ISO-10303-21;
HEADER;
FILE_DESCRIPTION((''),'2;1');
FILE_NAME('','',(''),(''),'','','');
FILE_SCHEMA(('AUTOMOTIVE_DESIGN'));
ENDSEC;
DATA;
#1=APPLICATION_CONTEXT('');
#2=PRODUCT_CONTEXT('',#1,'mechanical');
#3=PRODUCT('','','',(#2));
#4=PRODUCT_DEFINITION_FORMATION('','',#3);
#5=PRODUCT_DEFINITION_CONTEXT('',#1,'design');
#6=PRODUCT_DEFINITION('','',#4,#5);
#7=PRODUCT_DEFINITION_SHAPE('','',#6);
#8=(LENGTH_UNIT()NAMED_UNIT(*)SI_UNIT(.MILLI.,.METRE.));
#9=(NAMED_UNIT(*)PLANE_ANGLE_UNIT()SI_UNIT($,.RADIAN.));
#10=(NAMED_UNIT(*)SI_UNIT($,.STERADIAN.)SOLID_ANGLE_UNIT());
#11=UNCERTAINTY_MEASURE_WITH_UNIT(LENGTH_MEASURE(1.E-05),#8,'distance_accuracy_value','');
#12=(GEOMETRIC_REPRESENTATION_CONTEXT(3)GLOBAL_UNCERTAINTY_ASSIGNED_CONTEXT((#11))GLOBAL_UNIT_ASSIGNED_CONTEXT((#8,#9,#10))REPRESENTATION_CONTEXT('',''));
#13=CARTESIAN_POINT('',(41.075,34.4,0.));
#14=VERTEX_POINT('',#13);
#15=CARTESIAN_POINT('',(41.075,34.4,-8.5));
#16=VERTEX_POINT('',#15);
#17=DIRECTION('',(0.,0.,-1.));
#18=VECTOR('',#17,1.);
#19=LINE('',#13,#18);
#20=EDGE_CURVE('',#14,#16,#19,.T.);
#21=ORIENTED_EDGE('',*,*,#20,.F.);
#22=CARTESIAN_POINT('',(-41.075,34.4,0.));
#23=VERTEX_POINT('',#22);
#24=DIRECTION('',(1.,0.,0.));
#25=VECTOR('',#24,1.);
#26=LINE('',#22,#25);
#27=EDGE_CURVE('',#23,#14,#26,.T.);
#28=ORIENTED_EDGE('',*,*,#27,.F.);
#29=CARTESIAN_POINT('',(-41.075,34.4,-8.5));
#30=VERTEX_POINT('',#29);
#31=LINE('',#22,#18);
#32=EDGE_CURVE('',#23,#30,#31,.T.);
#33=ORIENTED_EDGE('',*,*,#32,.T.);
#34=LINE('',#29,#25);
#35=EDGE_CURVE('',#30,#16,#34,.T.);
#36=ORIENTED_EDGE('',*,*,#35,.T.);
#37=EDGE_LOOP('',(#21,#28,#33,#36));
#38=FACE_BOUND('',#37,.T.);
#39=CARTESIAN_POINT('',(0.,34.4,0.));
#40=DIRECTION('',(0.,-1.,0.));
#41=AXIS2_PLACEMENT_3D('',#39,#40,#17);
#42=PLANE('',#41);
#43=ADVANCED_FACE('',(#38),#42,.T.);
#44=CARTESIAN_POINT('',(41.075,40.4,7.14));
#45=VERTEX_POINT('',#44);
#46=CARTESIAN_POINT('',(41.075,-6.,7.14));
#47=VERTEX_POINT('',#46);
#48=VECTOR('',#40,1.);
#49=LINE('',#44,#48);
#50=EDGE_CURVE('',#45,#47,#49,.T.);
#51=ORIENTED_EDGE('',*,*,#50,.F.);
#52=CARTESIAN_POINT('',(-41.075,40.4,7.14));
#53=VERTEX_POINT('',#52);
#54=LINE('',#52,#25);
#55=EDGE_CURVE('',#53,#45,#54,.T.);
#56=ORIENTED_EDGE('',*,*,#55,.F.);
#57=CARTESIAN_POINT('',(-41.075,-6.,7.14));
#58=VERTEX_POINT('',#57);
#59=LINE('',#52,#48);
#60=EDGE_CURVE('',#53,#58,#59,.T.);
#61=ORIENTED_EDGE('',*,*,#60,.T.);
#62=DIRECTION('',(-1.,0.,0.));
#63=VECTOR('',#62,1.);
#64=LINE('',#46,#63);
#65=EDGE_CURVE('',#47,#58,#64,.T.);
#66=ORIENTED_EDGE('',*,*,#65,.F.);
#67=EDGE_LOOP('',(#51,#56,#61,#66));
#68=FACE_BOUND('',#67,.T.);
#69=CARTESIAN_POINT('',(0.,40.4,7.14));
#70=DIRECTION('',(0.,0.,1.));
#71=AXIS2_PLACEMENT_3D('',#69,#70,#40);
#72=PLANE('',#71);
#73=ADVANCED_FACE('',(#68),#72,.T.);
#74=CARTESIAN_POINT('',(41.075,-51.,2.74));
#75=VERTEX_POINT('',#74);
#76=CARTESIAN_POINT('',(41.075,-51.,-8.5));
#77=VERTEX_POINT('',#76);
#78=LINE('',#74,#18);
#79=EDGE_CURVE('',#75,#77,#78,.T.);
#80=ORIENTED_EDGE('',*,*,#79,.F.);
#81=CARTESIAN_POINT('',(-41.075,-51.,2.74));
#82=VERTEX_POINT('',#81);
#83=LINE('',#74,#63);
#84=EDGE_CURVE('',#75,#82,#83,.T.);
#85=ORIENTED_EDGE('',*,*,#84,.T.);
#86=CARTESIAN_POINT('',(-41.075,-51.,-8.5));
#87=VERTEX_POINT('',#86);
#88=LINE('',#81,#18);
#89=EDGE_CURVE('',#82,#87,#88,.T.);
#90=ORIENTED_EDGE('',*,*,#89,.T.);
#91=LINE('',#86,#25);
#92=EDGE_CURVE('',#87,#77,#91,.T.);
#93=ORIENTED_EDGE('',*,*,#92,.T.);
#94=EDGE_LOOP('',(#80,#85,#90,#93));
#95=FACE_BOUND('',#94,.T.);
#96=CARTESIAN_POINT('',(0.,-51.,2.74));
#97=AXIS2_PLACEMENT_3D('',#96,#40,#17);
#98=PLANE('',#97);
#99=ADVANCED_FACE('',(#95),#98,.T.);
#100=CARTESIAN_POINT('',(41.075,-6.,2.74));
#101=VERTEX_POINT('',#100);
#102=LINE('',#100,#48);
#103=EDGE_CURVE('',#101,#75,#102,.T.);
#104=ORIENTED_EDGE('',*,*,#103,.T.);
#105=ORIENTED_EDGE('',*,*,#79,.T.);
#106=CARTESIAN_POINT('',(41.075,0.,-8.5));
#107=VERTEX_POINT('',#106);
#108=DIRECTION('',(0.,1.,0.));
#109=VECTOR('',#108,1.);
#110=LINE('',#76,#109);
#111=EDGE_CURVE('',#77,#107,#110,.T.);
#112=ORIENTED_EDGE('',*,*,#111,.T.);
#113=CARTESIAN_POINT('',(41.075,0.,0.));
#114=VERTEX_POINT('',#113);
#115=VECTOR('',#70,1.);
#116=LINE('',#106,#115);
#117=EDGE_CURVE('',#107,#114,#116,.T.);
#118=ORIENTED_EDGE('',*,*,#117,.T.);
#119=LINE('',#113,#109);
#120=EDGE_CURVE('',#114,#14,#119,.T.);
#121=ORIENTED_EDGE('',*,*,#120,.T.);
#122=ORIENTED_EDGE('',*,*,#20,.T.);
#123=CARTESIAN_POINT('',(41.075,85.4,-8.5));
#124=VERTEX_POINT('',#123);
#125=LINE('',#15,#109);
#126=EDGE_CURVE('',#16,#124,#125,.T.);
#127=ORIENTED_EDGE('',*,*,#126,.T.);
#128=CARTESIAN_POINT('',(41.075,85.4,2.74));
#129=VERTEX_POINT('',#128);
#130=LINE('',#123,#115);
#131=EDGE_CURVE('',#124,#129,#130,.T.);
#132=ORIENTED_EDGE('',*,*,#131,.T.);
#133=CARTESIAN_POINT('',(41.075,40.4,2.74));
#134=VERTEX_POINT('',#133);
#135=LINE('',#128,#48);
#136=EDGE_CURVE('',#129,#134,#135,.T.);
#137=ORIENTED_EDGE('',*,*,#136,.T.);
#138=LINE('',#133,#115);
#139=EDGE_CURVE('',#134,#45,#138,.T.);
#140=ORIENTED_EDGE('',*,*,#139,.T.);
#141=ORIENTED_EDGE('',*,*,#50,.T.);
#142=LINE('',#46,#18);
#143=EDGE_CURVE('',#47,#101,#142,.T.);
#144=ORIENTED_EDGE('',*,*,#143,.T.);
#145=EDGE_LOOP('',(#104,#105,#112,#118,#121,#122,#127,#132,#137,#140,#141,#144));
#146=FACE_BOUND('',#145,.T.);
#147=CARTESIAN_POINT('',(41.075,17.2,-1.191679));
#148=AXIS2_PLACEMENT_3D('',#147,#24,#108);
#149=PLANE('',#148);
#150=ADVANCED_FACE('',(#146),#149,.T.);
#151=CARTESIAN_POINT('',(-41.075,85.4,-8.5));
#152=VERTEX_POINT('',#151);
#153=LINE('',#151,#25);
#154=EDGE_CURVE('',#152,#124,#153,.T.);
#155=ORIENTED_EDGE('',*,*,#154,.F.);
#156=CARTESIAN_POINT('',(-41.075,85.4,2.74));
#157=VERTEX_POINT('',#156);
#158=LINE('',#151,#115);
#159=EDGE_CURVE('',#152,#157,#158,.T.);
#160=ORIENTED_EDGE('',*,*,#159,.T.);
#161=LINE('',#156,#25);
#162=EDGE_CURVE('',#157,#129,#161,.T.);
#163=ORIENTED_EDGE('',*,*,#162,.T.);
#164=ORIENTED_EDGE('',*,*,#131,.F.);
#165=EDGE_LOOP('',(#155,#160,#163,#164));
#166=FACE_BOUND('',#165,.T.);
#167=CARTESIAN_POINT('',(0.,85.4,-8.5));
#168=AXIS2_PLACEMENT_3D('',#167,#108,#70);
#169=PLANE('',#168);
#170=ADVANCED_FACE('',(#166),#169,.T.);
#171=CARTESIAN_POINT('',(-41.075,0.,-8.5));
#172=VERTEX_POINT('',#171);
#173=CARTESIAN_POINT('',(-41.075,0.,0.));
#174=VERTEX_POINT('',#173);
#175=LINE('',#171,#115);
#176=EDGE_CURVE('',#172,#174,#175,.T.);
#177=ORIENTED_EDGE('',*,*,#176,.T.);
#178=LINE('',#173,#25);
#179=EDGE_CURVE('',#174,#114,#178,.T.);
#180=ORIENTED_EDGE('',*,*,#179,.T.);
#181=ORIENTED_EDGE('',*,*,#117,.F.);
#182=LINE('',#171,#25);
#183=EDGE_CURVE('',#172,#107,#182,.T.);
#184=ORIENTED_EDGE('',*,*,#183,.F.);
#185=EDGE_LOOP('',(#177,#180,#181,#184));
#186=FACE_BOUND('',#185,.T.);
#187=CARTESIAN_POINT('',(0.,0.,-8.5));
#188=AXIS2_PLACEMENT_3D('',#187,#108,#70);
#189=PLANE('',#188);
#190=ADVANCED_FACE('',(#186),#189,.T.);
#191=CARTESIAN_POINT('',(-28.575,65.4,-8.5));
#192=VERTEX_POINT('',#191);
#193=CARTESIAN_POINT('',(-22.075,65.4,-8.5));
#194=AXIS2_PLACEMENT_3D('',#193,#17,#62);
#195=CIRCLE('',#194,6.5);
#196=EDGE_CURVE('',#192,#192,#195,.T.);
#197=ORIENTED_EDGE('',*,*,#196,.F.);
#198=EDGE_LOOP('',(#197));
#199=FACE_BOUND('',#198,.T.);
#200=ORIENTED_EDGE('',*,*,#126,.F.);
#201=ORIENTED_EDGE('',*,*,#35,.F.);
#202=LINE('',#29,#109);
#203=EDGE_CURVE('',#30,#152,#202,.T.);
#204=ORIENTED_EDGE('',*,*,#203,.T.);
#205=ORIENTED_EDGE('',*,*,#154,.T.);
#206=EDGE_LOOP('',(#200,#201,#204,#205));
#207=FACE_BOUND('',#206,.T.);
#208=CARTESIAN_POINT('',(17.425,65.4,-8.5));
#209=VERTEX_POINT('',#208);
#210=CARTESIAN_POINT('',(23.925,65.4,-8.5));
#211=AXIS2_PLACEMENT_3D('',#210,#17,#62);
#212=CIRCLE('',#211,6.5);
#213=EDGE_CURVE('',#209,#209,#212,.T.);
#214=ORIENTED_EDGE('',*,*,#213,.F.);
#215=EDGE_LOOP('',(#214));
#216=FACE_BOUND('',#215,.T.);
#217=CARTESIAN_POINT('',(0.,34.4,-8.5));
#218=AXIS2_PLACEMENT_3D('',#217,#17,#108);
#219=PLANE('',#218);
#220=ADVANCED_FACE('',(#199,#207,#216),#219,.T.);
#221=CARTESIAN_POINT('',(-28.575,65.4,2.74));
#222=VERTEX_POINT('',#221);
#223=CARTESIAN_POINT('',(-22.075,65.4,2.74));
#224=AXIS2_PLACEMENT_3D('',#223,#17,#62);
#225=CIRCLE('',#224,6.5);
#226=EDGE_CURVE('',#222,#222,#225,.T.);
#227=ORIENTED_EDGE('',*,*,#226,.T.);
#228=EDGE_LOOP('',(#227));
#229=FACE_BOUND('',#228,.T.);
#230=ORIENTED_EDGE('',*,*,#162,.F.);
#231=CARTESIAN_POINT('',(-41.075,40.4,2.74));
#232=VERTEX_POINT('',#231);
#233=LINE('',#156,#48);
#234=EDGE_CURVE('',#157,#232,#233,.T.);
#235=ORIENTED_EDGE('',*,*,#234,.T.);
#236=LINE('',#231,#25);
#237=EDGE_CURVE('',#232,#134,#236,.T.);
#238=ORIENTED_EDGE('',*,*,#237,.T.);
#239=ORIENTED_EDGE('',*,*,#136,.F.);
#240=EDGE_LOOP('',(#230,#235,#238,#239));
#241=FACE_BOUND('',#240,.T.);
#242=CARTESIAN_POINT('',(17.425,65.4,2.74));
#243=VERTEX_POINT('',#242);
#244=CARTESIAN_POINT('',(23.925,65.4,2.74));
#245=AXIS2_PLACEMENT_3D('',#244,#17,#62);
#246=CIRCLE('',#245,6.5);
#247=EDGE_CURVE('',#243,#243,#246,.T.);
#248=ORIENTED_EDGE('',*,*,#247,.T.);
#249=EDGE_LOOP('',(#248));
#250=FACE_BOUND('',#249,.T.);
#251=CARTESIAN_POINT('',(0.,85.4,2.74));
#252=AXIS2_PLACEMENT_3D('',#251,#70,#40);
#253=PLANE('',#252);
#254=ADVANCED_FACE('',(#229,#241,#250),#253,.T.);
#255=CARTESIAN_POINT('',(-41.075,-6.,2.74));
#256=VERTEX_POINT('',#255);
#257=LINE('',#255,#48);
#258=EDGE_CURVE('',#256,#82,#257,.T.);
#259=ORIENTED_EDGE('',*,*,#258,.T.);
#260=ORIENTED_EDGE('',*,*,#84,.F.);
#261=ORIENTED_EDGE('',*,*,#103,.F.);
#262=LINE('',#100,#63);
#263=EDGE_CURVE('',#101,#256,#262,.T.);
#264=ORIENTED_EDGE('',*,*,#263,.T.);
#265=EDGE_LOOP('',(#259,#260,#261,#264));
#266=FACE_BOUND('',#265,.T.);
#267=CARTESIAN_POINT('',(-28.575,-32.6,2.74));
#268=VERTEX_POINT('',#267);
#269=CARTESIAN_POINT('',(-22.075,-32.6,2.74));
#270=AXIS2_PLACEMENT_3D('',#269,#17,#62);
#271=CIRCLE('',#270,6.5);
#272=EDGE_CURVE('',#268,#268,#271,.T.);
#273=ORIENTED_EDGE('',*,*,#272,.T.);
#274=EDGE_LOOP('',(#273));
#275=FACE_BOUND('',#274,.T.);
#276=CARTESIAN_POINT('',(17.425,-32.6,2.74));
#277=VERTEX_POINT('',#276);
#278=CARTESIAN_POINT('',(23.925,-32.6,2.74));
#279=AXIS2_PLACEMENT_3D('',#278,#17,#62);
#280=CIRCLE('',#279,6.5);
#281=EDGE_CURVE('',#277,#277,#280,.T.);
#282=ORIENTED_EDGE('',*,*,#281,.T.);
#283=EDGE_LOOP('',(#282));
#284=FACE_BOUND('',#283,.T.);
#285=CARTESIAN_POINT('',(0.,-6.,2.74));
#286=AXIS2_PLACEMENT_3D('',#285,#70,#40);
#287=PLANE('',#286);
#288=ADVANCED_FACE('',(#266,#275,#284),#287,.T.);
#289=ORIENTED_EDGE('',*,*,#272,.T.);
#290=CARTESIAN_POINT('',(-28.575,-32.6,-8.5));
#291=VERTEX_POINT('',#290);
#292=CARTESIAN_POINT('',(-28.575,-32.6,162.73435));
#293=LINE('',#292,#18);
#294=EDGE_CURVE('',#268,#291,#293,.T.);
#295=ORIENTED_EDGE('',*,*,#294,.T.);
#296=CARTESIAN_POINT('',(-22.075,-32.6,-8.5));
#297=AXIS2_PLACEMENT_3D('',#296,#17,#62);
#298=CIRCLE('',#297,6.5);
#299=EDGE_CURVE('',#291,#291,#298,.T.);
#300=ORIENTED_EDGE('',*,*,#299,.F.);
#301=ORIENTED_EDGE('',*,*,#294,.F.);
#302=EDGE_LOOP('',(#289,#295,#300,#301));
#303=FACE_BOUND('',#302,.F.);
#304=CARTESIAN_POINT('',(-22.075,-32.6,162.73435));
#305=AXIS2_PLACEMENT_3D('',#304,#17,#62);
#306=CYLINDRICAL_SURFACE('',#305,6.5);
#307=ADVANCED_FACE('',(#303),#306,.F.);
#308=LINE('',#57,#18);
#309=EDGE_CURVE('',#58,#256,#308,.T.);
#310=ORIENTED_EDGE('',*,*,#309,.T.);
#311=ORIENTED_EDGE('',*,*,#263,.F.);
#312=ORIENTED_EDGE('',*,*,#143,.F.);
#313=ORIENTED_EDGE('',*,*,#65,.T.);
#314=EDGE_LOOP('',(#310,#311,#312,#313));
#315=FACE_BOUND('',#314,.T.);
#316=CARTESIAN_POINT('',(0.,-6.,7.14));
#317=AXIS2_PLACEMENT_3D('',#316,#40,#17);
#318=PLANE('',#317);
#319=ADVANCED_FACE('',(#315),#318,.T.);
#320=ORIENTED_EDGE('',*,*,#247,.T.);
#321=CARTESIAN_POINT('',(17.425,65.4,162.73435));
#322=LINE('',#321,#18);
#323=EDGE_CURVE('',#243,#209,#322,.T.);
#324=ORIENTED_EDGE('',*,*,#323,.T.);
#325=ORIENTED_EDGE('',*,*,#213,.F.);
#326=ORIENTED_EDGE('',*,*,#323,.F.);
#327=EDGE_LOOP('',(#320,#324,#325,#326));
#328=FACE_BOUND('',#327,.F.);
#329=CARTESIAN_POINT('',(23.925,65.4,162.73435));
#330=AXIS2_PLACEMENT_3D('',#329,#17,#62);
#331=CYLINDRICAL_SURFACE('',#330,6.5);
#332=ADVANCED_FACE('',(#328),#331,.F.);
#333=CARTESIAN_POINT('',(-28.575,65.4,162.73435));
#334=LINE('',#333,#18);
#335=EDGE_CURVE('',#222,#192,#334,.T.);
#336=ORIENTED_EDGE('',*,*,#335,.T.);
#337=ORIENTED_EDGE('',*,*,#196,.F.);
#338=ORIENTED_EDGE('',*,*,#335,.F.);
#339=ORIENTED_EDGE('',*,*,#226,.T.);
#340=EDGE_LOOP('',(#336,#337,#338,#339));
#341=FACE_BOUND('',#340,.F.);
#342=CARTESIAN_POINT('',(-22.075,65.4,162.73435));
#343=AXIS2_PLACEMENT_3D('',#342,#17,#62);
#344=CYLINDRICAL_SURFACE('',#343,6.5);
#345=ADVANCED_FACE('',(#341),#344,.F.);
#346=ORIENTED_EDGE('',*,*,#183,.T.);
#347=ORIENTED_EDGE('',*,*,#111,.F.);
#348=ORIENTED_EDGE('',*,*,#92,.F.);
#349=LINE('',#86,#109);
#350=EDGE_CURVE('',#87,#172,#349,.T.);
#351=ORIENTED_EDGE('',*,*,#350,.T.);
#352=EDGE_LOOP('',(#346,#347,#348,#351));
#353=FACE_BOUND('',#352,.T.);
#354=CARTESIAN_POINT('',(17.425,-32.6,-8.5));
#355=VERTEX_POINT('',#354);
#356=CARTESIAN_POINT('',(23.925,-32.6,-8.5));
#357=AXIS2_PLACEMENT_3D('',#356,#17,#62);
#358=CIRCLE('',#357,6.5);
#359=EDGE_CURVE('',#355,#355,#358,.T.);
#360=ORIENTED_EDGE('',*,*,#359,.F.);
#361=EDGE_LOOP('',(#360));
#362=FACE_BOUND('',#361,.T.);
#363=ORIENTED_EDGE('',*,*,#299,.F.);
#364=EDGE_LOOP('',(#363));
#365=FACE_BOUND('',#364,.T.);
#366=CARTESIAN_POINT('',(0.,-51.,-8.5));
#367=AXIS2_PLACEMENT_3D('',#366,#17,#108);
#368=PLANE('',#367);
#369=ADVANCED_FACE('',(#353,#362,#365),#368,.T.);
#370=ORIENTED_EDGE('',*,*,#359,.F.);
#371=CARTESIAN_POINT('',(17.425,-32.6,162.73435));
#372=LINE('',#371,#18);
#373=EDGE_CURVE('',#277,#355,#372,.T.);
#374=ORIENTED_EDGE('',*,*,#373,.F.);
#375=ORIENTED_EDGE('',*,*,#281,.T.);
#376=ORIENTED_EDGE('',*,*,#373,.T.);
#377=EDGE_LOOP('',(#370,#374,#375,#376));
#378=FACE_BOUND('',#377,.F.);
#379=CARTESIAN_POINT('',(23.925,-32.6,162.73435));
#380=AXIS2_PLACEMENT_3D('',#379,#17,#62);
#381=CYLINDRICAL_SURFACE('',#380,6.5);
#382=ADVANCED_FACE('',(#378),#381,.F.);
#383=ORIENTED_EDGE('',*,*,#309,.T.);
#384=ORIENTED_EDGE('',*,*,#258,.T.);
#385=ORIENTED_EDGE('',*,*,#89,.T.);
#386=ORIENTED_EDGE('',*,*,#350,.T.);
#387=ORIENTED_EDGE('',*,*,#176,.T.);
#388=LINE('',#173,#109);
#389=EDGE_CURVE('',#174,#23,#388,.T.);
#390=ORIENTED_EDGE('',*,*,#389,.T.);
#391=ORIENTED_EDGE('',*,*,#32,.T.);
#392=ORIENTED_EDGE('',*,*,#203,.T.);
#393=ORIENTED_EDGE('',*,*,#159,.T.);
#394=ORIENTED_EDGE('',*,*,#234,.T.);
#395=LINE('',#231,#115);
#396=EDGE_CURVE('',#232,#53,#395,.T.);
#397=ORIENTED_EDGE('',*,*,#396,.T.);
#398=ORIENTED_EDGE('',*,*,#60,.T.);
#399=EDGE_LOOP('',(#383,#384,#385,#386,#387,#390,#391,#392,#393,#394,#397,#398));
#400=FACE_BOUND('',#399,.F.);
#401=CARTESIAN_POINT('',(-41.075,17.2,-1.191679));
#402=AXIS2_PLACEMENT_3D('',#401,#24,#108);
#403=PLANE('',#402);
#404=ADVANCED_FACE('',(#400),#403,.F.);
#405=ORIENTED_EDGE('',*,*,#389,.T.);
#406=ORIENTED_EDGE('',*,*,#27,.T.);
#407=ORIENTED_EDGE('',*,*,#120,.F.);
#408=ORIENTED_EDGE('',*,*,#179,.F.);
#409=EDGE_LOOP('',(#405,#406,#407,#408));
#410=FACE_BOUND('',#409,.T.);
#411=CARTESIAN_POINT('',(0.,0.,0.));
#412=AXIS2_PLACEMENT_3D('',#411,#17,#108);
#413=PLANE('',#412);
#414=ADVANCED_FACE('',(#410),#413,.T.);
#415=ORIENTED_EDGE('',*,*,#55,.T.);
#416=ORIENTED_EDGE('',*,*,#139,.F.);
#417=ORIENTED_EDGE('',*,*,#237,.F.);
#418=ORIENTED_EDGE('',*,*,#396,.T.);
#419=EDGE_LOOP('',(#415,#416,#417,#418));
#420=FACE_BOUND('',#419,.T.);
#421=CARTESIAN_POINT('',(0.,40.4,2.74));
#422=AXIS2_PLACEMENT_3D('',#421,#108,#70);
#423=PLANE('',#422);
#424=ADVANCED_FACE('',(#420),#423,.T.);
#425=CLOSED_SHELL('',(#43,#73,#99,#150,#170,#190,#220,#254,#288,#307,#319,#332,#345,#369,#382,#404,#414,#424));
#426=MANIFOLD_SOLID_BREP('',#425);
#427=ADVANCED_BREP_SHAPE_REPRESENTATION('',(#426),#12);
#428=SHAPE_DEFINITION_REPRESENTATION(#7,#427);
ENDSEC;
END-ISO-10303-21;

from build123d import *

# Parameters (mm, degrees)
F1_DEPTH = 41.075
F3_D     = 13


with BuildPart() as f1:
    # F0 (on Right) → F1 (new body, symmetric)
    with BuildSketch(Plane.YZ):
        Polygon((-51, 2.74), (-51, -8.5), (0, -8.5), (0, 0), (34.4, 0), (34.4, -8.5), (85.4, -8.5), (85.4, 2.74), (40.4, 2.74), (40.4, 7.14), (-6, 7.14), (-6, 2.74), align=None)
    extrude(amount=F1_DEPTH, both=True)

    # F3 (through all)
    with Locations(Plane.XY.offset(2.74)):
        with Locations((-22.075, 65.4), (23.925, 65.4), (23.925, -32.6), (-22.075, -32.6)):
            Hole(F3_D / 2)


solid = f1.part
